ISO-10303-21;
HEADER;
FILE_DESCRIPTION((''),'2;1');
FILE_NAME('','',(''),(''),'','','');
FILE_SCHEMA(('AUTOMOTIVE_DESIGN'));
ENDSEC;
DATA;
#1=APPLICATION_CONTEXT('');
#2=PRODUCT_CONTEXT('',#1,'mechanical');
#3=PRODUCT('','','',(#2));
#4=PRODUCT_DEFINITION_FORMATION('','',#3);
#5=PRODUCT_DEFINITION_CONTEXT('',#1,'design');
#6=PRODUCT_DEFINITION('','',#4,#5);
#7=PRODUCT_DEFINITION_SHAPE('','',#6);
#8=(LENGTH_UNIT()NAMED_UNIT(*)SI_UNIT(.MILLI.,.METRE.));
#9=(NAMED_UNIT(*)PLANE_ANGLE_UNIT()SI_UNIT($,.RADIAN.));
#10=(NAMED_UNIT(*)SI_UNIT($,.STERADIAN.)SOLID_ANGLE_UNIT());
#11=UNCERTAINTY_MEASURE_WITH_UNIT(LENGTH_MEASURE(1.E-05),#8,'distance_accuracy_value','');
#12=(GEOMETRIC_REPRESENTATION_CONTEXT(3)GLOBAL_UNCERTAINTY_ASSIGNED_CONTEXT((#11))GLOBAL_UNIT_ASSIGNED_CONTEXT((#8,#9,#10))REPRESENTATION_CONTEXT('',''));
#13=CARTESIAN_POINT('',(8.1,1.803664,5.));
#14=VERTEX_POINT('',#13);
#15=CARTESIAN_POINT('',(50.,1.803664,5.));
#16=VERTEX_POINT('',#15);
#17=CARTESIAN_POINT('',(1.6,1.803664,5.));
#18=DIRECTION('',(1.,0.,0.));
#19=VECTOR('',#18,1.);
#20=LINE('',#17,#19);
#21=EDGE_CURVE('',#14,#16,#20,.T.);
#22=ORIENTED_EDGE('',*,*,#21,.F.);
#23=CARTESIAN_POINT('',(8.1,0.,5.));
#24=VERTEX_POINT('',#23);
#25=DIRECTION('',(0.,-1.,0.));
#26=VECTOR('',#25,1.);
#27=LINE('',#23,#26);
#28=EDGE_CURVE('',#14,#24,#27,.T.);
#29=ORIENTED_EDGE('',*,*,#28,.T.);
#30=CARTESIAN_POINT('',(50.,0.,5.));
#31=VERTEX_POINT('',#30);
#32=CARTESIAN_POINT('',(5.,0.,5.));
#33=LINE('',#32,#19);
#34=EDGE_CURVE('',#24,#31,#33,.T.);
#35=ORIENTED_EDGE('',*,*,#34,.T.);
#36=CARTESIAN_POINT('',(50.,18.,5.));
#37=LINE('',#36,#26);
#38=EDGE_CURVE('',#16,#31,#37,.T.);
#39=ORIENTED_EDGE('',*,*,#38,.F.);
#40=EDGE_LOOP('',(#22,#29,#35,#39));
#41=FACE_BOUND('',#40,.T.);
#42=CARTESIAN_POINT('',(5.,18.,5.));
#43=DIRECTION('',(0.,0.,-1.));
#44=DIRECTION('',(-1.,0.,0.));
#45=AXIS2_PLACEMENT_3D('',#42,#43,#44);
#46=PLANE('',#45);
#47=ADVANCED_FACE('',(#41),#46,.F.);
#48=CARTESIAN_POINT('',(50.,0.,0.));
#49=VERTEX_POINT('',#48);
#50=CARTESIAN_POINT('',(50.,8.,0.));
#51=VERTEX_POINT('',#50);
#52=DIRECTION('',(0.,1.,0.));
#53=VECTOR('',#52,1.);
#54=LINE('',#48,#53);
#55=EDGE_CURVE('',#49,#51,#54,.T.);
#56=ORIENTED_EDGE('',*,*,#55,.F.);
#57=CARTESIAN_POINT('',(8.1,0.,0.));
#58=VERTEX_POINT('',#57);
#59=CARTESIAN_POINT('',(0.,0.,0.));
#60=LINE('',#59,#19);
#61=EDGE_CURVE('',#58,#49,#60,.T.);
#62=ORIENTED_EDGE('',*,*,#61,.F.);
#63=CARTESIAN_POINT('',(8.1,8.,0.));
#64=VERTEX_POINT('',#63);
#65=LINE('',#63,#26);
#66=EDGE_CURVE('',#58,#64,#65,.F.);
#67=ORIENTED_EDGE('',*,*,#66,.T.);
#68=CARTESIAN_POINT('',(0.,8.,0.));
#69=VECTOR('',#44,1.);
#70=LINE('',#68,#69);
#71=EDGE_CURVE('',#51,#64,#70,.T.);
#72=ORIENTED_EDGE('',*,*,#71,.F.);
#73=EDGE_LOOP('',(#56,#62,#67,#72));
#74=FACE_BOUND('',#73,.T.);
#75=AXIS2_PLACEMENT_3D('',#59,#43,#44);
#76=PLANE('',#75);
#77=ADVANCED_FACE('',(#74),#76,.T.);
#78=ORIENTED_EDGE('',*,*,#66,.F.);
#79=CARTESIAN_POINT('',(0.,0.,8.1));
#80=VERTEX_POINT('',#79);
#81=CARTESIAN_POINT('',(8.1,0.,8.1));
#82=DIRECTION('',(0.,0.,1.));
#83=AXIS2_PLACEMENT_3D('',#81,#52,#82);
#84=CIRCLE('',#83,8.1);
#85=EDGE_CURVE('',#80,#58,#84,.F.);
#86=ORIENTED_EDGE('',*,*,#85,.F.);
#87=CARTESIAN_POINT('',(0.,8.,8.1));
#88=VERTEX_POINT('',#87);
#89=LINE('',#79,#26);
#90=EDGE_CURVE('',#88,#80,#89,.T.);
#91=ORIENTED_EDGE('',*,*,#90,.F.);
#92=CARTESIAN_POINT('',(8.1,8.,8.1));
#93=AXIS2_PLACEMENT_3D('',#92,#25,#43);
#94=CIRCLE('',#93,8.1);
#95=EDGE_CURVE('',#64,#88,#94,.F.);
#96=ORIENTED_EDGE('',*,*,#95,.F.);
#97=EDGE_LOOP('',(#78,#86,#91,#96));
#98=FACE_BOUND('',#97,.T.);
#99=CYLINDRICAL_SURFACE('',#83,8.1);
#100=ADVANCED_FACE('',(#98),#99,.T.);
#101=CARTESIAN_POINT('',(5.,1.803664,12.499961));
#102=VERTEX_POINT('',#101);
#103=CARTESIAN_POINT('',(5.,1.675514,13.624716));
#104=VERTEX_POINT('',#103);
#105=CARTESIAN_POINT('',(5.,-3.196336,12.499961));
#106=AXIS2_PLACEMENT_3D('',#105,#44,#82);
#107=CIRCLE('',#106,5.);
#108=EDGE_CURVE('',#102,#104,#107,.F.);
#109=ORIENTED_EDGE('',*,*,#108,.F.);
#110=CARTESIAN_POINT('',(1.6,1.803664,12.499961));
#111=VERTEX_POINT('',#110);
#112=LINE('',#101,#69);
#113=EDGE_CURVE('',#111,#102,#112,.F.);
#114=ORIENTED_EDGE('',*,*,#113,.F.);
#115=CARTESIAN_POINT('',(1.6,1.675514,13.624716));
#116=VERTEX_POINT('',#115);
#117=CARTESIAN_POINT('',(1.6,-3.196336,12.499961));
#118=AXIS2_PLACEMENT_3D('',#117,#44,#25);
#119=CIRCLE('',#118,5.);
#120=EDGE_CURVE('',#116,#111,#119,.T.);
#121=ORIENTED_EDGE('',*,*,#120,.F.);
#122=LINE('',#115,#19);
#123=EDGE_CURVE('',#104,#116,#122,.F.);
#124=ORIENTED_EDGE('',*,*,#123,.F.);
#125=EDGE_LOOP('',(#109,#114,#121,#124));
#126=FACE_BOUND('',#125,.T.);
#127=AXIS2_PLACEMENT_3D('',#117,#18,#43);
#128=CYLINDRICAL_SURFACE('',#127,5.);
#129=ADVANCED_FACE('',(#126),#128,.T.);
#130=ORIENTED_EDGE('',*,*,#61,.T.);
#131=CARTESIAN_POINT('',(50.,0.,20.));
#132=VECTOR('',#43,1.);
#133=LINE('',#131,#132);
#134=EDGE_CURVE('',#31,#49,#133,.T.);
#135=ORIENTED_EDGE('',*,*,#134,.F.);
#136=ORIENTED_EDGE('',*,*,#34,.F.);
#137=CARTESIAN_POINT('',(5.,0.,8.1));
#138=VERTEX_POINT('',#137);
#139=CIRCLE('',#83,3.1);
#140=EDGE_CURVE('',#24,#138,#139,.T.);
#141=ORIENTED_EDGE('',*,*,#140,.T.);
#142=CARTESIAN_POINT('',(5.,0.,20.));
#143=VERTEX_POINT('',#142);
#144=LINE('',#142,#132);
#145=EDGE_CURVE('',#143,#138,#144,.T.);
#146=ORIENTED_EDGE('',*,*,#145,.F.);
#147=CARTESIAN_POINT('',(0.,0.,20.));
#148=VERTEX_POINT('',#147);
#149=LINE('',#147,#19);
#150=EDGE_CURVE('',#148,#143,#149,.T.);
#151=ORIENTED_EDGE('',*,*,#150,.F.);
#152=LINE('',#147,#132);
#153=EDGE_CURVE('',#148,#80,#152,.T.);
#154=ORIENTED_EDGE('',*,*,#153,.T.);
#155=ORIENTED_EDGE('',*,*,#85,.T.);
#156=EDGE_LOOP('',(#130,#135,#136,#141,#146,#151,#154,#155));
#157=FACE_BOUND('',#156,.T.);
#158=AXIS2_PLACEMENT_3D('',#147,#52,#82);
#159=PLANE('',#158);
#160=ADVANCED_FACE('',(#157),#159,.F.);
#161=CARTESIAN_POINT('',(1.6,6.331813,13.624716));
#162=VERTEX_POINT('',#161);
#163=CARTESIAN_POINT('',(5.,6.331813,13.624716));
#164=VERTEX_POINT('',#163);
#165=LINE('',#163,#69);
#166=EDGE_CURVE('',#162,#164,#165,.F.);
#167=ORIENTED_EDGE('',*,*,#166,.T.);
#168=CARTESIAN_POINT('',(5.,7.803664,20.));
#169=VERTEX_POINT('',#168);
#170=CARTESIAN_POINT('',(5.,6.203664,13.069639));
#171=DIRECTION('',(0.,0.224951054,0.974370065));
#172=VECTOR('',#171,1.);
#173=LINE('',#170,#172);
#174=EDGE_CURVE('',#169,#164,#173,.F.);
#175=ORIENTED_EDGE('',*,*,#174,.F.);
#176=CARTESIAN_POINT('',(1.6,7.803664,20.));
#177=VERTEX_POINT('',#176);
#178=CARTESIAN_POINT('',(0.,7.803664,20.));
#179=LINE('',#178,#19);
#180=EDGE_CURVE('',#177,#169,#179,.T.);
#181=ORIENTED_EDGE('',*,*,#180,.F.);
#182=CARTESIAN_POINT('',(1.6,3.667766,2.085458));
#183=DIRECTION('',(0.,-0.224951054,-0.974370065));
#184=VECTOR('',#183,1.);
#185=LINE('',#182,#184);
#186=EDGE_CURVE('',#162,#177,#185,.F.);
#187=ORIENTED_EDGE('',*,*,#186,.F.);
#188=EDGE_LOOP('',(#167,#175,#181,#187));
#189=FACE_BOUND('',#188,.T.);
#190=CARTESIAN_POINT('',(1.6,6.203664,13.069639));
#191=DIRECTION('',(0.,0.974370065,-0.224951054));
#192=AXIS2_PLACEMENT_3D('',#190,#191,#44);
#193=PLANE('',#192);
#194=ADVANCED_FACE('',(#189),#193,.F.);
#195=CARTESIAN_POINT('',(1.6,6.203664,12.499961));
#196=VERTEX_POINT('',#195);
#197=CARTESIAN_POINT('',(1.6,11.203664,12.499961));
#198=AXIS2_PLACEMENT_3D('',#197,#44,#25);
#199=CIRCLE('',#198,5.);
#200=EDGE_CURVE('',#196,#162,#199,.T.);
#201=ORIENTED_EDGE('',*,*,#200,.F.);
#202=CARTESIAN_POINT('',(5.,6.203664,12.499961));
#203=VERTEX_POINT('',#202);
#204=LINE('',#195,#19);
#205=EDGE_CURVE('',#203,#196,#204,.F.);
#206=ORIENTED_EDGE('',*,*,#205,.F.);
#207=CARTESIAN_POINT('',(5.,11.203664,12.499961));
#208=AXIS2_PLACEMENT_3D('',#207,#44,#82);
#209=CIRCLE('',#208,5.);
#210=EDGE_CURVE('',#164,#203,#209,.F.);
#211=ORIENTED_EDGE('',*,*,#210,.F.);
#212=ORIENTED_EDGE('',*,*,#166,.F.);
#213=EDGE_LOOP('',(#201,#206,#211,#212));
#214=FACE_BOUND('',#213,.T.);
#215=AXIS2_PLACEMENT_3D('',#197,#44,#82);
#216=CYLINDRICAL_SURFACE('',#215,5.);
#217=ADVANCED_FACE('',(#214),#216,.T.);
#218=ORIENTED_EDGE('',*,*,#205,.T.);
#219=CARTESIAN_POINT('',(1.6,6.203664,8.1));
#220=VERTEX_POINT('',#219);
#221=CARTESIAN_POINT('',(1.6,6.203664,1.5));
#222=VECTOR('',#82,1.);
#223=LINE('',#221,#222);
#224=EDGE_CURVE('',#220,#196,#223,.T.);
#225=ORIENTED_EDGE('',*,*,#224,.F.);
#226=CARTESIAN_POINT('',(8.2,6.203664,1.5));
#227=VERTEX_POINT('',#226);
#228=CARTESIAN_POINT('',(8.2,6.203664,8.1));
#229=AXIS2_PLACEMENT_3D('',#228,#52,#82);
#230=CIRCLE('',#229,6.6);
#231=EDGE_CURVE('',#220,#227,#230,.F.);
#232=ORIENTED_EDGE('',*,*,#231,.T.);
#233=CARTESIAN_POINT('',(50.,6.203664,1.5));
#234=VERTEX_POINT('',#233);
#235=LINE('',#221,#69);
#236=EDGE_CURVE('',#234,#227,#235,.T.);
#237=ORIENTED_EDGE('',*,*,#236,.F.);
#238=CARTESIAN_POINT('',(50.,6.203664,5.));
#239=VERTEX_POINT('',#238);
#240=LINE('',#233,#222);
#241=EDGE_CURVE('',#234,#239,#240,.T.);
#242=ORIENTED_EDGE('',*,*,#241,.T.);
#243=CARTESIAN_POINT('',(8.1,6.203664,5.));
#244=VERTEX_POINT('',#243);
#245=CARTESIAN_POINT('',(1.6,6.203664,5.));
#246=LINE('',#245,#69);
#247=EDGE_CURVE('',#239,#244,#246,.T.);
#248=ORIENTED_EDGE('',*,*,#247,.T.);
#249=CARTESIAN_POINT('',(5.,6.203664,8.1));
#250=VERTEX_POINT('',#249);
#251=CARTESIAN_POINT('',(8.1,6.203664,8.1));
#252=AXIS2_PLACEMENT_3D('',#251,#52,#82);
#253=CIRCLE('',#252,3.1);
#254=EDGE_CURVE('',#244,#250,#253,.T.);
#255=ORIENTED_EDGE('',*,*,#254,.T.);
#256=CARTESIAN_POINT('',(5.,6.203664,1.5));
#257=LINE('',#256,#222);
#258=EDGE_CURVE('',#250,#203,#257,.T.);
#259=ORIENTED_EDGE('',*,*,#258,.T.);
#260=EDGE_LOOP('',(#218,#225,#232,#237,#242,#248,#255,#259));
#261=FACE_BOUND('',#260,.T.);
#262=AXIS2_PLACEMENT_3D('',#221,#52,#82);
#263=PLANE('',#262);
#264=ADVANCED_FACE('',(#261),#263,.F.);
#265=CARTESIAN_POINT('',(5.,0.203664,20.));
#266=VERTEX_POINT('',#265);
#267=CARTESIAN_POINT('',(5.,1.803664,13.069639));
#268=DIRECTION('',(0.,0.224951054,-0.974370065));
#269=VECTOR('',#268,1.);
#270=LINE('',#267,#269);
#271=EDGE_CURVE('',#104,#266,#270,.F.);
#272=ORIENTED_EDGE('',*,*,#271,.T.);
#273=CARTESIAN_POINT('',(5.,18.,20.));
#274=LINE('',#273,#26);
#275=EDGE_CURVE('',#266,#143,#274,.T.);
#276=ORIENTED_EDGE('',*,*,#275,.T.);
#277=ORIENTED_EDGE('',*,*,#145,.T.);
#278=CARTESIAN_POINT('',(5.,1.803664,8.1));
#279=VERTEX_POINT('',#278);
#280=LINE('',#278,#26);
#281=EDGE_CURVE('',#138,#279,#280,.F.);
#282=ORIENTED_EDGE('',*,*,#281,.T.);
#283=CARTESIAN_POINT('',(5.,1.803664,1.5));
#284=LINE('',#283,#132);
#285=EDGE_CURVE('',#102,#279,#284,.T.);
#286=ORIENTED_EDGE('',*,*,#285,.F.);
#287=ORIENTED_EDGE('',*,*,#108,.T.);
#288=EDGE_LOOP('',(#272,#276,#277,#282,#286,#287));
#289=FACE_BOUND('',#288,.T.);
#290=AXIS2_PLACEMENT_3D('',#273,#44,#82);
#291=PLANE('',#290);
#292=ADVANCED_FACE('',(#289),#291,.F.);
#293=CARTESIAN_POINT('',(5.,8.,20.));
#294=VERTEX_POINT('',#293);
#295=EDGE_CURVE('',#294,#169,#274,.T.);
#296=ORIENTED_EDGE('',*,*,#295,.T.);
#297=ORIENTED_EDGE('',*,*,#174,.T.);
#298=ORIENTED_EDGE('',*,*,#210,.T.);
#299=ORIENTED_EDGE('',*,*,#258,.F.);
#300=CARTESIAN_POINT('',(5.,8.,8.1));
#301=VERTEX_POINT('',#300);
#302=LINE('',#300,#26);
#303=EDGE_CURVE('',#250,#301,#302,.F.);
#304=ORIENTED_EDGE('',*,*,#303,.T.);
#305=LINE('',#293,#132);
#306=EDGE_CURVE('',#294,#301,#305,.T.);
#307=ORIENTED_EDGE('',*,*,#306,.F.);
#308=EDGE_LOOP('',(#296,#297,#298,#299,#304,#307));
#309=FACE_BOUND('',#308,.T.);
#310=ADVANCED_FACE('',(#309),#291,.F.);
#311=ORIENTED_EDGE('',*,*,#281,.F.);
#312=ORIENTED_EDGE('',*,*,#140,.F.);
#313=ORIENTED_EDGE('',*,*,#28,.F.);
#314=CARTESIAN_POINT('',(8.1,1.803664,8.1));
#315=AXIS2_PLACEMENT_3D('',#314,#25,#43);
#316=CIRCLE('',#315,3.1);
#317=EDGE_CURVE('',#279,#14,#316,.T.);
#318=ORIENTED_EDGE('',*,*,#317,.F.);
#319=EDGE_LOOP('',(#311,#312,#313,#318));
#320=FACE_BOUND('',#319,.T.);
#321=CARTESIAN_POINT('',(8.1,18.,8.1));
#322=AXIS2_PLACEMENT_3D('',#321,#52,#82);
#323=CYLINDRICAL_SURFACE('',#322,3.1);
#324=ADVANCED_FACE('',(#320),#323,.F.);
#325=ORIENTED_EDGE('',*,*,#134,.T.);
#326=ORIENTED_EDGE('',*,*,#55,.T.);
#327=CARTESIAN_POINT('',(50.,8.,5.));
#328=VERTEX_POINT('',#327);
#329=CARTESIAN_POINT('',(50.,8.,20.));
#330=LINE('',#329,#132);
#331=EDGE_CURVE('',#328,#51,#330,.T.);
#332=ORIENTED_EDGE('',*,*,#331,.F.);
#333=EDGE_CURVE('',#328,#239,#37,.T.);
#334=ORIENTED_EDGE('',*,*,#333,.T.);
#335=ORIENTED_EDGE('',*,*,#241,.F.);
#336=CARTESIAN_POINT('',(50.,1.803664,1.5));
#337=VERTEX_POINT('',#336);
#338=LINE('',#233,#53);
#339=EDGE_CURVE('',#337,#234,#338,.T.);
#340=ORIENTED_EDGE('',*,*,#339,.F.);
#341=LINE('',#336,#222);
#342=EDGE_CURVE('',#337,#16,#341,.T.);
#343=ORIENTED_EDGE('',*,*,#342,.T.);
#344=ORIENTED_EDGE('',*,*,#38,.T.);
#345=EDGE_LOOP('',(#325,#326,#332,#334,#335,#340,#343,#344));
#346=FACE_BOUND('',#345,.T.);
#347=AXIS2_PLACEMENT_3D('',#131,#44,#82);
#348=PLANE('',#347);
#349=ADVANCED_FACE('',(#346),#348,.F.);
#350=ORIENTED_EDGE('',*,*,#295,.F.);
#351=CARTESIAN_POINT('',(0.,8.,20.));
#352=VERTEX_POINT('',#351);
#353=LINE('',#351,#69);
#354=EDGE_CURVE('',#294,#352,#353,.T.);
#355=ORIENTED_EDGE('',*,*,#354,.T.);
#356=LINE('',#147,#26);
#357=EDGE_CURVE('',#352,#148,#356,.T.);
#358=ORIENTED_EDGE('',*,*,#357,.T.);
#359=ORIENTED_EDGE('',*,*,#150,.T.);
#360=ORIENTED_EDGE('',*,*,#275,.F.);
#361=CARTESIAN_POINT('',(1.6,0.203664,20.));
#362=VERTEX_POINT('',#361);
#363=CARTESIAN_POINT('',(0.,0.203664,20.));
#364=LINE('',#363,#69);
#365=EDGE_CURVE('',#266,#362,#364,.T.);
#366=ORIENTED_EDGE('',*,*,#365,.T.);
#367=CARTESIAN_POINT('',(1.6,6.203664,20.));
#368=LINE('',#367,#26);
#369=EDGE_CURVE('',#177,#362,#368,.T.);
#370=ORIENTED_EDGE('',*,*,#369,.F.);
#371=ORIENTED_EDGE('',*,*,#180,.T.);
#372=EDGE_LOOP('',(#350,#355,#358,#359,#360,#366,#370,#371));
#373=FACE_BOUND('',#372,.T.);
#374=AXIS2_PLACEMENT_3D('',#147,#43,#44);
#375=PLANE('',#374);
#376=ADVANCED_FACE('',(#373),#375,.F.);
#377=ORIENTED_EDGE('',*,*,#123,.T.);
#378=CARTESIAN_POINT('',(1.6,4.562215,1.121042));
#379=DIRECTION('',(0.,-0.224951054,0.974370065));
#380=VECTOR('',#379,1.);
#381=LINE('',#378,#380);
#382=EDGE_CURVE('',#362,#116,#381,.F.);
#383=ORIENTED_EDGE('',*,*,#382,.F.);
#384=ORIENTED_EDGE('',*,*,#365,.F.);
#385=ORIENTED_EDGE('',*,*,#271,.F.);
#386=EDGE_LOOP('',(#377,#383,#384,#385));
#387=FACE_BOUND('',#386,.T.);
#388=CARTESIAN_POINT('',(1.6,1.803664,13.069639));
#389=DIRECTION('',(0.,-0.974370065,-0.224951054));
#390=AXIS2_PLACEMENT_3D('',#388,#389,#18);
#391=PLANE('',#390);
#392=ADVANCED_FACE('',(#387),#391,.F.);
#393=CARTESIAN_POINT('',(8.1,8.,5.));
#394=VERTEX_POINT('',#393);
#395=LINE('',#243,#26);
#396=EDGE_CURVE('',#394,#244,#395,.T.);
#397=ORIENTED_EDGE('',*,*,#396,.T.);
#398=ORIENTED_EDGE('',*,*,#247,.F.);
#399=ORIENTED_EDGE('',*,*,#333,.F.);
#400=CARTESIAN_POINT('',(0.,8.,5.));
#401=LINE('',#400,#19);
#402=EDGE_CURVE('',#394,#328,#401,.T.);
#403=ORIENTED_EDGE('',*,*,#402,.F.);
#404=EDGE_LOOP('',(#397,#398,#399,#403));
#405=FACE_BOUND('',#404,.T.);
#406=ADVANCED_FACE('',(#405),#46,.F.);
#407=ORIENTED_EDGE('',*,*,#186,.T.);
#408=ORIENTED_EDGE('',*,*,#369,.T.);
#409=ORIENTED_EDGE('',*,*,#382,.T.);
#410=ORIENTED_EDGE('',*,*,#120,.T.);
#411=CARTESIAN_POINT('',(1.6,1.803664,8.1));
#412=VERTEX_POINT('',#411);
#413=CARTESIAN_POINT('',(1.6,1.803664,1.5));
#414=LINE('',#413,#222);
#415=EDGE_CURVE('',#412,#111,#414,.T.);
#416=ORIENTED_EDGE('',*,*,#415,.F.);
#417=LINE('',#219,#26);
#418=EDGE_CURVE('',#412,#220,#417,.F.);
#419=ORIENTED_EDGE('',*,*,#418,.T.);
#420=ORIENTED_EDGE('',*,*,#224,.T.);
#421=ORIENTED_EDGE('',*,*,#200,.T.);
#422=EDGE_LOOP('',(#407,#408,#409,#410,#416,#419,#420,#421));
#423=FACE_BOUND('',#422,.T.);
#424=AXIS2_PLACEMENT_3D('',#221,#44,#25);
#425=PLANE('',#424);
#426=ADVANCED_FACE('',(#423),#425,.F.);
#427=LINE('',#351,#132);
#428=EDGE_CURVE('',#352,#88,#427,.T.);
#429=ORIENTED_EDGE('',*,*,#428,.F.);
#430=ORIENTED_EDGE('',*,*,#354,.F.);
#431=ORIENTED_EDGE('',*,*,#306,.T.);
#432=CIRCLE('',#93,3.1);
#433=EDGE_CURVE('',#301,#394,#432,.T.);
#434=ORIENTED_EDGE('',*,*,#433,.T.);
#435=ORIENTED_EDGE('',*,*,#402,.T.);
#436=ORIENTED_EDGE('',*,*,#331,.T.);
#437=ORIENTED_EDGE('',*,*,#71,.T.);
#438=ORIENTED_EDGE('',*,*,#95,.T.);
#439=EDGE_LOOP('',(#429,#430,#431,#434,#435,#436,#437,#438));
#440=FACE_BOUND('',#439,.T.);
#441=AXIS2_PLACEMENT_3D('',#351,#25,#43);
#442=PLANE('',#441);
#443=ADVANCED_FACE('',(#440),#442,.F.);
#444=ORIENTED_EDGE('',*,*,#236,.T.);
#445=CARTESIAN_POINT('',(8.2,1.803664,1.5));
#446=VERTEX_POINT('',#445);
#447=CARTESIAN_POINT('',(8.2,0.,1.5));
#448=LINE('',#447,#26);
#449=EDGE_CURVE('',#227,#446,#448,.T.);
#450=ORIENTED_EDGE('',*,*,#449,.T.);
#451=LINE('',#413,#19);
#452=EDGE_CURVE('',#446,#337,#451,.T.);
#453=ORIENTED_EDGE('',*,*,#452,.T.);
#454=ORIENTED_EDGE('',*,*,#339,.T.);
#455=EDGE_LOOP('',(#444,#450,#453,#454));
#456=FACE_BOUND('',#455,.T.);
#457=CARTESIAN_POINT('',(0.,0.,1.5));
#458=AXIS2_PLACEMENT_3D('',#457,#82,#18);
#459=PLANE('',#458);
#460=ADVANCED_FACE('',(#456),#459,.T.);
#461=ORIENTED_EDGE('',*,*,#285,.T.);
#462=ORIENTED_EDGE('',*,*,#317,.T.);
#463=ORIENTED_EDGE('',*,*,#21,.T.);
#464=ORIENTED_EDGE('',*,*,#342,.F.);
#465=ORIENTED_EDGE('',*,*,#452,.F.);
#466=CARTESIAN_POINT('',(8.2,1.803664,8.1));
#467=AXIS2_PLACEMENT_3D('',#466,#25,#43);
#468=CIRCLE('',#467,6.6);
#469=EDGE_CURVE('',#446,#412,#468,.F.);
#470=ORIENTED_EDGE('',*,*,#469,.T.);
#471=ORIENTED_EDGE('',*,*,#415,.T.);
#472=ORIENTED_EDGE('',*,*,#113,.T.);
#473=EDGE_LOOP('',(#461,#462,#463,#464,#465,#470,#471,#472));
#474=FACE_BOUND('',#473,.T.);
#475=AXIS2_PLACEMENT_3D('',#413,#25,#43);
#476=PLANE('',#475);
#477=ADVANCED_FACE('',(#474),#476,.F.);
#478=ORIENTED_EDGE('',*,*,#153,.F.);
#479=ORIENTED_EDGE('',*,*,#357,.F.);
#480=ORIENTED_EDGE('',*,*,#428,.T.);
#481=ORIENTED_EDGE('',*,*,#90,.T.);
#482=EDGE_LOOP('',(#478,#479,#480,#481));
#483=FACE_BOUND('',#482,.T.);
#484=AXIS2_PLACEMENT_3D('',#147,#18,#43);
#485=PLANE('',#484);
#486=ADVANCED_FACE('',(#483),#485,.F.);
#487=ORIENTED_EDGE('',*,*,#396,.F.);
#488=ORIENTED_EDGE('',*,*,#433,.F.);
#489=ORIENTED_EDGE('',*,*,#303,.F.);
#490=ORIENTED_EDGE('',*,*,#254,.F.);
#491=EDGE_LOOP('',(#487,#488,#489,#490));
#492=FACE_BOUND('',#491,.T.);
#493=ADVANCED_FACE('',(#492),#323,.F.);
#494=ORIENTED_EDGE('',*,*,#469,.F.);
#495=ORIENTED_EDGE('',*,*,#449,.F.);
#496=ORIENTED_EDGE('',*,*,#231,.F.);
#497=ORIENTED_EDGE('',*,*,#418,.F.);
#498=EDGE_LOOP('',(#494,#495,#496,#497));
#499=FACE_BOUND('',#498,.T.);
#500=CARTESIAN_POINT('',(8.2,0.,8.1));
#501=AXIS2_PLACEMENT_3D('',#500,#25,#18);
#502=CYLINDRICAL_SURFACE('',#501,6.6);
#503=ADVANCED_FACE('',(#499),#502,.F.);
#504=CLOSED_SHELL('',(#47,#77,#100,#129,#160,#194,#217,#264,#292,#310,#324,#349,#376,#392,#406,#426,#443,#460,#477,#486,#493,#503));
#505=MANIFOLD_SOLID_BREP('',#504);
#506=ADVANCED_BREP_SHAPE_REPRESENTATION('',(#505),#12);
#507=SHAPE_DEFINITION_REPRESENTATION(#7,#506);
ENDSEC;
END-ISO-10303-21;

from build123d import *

# Parameters (mm, degrees)
SKETCH1_W           = 50
SKETCH1_H           = 8
BOSS_EXTRUDE1_DEPTH = 20
SKETCH2_W           = 48.4
SKETCH2_H           = 4.4
CUT_EXTRUDE1_DEPTH  = 18.5
SKETCH3_W           = 45
SKETCH3_H           = 15
CUT_EXTRUDE2_DEPTH  = 18
FILLET1_R           = 6.6
FILLET2_R           = 8.1
FILLET3_R           = 3.1
CHAMFER1_SIZE       = 1.6
CHAMFER1_SIZE2      = 6.930361399
FILLET4_R           = 5


with BuildPart() as part:
    # Sketch1 → Boss-Extrude1 (new body)
    with BuildSketch(Plane.XY):
        with Locations((25, 4)):
            Rectangle(SKETCH1_W, SKETCH1_H)
    extrude(amount=BOSS_EXTRUDE1_DEPTH)

    # Sketch2 → Cut-Extrude1 (cut)
    with BuildSketch(Plane.XY.offset(20)):
        with Locations((25.8, 4.003663633)):
            Rectangle(SKETCH2_W, SKETCH2_H)
    extrude(amount=-CUT_EXTRUDE1_DEPTH, mode=Mode.SUBTRACT)

    # Sketch3 → Cut-Extrude2 (cut)
    with BuildSketch(Plane(origin=(0, 0, 0), x_dir=(-1, 0, 0), z_dir=(0, -1, 0))):
        with Locations((-27.5, -12.5)):
            Rectangle(SKETCH3_W, SKETCH3_H)
    extrude(amount=-CUT_EXTRUDE2_DEPTH, mode=Mode.SUBTRACT)

    # Fillet1
    fillet1_edges = [part.edges().sort_by_distance(p)[0] for p in [
        (1.6, 4.003663633, 1.5),
    ]]
    fillet(fillet1_edges, radius=FILLET1_R)

    # Fillet2
    fillet2_edges = [part.edges().sort_by_distance(p)[0] for p in [
        (0, 4, 0),
    ]]
    fillet(fillet2_edges, radius=FILLET2_R)

    # Fillet3
    fillet3_edges = [part.edges().sort_by_distance(p)[0] for p in [
        (5, 7.101831816, 5),
        (5, 0.901831816, 5),
    ]]
    fillet(fillet3_edges, radius=FILLET3_R)

    # Chamfer1
    chamfer1_edges = [part.edges().sort_by_distance(p)[0] for p in [
        (3.3, 1.803663633, 20),
        (3.3, 6.203663633, 20),
    ]]
    chamfer1_side = [part.faces().sort_by_distance(p)[0] for p in [
        (2.5, 7.905660189, 20),
    ]]
    chamfer(chamfer1_edges, length=CHAMFER1_SIZE, length2=CHAMFER1_SIZE2, reference=chamfer1_side[0])

    # Fillet4
    fillet4_edges = [part.edges().sort_by_distance(p)[0] for p in [
        (3.3, 1.803663633, 13.069638601),
        (3.3, 6.203663633, 13.069638601),
    ]]
    fillet(fillet4_edges, radius=FILLET4_R)


solid = part.part
